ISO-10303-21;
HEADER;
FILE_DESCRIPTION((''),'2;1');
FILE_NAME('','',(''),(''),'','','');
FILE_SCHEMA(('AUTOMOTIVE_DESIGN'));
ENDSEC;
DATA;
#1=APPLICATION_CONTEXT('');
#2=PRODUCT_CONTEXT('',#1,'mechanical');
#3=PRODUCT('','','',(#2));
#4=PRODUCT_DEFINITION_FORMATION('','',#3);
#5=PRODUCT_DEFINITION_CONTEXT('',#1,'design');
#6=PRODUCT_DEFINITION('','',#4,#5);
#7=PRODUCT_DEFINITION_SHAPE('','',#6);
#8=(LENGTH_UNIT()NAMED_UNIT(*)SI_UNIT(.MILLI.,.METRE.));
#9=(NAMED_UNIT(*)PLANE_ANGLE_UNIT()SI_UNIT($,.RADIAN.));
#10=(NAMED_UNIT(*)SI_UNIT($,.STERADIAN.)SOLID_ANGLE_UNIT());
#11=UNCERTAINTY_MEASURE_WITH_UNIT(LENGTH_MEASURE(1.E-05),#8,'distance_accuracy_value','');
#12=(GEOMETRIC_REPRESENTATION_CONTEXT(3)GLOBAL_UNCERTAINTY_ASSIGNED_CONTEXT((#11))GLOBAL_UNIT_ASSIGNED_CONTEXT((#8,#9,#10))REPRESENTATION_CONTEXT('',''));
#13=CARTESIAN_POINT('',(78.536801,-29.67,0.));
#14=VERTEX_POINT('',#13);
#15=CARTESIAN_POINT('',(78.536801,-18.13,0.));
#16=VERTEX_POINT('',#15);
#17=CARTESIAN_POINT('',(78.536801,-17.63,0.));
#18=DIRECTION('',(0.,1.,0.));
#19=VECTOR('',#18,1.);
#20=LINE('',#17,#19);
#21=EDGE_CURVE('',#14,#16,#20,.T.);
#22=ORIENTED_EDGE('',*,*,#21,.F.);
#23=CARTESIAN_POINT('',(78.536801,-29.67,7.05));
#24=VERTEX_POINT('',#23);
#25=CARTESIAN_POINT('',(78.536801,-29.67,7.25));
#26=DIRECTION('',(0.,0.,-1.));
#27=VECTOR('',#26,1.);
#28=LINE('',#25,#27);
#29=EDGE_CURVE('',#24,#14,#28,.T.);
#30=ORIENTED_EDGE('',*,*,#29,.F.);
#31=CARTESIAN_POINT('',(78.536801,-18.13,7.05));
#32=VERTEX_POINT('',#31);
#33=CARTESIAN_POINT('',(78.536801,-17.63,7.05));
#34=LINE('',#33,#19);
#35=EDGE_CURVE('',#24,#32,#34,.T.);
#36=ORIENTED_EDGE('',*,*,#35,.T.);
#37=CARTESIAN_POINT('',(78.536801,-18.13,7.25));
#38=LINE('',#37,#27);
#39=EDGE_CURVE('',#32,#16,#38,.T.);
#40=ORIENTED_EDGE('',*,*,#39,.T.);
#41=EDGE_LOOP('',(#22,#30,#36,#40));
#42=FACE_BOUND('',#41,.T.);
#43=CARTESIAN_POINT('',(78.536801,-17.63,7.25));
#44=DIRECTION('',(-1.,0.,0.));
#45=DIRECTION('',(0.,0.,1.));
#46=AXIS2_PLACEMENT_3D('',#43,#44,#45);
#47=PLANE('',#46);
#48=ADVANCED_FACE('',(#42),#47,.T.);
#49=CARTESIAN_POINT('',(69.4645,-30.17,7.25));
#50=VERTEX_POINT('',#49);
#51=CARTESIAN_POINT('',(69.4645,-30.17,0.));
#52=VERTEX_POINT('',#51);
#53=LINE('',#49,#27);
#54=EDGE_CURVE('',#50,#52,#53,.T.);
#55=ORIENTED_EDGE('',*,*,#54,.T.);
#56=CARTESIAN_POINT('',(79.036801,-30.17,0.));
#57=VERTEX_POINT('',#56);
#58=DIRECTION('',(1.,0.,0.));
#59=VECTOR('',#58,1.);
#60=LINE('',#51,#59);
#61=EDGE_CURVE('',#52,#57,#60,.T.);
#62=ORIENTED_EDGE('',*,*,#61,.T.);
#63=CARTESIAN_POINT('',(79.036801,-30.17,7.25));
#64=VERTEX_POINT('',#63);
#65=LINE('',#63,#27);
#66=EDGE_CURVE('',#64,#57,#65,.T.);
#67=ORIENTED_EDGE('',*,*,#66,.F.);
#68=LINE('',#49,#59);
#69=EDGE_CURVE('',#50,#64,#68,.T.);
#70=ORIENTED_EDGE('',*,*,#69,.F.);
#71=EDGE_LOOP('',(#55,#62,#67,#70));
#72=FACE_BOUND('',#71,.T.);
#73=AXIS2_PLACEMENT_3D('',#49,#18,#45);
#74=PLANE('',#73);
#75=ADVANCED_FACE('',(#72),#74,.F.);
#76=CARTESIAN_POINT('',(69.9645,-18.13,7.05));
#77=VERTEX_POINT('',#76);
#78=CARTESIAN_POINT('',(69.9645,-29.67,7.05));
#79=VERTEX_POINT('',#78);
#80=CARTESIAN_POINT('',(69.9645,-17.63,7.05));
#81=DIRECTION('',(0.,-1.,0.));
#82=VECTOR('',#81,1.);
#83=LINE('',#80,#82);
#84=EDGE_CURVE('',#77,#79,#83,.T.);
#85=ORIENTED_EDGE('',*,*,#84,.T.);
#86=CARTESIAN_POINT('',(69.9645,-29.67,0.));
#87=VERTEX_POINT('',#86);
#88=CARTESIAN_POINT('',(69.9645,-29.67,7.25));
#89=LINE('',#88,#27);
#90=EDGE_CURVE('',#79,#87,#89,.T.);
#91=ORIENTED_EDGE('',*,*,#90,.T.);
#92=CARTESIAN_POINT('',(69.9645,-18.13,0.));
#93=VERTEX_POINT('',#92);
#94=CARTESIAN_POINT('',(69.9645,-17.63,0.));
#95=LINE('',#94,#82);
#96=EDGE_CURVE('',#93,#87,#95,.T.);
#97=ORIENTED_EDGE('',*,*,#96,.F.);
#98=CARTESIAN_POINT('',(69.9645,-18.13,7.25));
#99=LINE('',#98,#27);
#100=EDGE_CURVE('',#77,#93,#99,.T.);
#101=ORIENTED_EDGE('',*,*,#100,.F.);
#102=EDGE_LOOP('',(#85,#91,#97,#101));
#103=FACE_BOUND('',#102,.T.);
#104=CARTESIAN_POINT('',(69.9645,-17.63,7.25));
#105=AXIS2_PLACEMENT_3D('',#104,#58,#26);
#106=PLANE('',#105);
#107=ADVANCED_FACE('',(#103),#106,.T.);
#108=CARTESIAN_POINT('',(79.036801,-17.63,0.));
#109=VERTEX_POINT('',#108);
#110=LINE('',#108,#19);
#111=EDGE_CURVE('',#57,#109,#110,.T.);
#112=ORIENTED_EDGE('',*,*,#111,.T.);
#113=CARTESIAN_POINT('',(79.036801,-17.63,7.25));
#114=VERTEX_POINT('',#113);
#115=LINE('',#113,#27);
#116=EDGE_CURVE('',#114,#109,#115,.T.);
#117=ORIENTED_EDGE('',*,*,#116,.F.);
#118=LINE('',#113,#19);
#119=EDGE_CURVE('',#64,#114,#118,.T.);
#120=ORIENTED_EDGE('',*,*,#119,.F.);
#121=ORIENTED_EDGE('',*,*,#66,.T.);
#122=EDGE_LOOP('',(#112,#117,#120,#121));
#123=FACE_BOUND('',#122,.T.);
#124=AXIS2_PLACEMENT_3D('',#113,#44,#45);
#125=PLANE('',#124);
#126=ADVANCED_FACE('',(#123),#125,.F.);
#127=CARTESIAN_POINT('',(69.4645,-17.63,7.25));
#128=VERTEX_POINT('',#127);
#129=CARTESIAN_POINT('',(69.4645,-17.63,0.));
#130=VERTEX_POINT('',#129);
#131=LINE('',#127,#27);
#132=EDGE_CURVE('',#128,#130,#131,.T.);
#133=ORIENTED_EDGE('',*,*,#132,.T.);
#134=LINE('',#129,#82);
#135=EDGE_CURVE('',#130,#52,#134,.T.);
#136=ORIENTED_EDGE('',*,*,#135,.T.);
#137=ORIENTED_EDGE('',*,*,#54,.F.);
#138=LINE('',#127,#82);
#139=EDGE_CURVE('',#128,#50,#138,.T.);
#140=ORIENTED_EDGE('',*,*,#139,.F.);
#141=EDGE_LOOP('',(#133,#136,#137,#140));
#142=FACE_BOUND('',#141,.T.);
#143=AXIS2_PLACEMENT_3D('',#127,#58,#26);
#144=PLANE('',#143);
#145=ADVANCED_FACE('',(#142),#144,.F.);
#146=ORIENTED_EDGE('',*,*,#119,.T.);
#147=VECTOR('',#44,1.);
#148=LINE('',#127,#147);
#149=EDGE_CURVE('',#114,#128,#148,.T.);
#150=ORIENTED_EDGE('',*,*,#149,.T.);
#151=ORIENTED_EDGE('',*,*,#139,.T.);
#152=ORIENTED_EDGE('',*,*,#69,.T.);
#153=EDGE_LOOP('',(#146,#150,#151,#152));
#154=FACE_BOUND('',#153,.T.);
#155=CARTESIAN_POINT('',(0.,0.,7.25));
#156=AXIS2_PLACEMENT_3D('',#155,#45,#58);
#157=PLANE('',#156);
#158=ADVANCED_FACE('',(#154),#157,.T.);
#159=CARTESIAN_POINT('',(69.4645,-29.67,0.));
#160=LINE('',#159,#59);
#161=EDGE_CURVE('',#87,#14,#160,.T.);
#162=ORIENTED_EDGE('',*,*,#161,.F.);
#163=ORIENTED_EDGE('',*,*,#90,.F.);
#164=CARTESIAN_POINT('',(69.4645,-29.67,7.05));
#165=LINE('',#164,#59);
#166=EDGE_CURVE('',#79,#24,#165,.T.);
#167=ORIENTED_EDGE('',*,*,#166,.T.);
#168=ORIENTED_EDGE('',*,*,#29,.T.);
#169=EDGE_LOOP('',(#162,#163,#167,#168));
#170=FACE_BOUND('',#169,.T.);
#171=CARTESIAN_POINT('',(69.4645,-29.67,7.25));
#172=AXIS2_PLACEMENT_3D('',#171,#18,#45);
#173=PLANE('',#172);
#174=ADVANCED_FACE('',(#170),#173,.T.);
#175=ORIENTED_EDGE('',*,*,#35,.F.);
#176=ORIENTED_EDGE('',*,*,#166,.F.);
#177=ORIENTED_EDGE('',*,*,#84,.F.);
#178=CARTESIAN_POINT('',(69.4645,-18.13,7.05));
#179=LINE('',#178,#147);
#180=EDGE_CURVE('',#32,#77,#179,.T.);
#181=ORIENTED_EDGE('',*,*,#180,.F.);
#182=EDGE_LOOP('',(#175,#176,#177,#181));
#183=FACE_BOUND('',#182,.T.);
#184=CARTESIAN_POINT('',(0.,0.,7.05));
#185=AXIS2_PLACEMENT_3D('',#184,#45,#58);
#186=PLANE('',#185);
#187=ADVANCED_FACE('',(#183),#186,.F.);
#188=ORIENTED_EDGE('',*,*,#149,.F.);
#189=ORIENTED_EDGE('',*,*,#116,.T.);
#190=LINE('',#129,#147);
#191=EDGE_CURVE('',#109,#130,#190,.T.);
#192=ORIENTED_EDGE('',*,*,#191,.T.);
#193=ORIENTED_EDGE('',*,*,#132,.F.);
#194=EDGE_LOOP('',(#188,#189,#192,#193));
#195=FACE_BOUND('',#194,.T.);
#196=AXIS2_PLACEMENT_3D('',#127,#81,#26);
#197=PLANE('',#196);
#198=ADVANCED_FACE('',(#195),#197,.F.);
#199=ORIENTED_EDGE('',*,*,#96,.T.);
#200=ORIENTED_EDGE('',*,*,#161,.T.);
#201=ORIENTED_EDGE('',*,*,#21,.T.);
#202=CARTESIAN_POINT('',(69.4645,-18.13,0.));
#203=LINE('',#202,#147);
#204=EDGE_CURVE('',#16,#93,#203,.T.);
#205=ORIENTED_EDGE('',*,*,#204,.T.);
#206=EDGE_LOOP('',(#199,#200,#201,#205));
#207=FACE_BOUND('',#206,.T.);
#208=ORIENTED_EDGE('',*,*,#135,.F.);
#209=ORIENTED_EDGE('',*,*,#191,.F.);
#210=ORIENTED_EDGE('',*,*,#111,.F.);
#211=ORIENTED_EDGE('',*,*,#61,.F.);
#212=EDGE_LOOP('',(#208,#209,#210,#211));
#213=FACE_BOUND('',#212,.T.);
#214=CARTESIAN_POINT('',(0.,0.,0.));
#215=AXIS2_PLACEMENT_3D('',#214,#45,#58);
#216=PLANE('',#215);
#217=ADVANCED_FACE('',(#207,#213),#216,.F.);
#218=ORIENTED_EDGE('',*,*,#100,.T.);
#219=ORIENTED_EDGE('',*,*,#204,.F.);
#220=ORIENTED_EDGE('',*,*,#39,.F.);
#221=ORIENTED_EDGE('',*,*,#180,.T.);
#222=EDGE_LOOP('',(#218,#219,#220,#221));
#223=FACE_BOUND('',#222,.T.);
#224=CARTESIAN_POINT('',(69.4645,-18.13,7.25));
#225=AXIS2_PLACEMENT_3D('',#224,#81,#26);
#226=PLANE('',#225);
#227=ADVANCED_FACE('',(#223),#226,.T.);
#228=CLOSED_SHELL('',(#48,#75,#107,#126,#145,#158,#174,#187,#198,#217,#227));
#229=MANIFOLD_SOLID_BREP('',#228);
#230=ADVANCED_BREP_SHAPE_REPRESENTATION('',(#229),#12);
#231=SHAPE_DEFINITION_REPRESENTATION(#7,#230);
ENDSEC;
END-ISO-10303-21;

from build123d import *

# Parameters (mm, degrees)
SKETCH1_W                 = 9.57230149
SKETCH1_H                 = 12.54
BOSS_EXTRUDE1_DEPTH       = 7.25
SHELL1_T                  = -0.5
SHELL1_THICKNESS_2_FACE_W = 8.57230149
SHELL1_THICKNESS_2_FACE_H = 11.54
SHELL1_THICKNESS_2_DEPTH  = 0.3


with BuildPart() as part:
    # Sketch1 → Boss-Extrude1 (new body)
    with BuildSketch(Plane.XY):
        with Locations((74.250650745, -23.9)):
            Rectangle(SKETCH1_W, SKETCH1_H)
    extrude(amount=BOSS_EXTRUDE1_DEPTH)

    # Shell1
    shell1_openings = [part.faces().sort_by_distance(p)[0] for p in [
        (74.250650745, -23.9, 0),
    ]]
    offset(amount=SHELL1_T, openings=shell1_openings, kind=Kind.INTERSECTION)

    # Shell1 thickness 2 face (on inner face of the shell) → Shell1 thickness 2 (cut)
    with BuildSketch(Plane(origin=(74.250650745, -23.9, 6.75), x_dir=(1, 0, 0), z_dir=(0, 0, 1))):
        Rectangle(SHELL1_THICKNESS_2_FACE_W, SHELL1_THICKNESS_2_FACE_H)
    extrude(amount=SHELL1_THICKNESS_2_DEPTH, mode=Mode.SUBTRACT)


solid = part.part
